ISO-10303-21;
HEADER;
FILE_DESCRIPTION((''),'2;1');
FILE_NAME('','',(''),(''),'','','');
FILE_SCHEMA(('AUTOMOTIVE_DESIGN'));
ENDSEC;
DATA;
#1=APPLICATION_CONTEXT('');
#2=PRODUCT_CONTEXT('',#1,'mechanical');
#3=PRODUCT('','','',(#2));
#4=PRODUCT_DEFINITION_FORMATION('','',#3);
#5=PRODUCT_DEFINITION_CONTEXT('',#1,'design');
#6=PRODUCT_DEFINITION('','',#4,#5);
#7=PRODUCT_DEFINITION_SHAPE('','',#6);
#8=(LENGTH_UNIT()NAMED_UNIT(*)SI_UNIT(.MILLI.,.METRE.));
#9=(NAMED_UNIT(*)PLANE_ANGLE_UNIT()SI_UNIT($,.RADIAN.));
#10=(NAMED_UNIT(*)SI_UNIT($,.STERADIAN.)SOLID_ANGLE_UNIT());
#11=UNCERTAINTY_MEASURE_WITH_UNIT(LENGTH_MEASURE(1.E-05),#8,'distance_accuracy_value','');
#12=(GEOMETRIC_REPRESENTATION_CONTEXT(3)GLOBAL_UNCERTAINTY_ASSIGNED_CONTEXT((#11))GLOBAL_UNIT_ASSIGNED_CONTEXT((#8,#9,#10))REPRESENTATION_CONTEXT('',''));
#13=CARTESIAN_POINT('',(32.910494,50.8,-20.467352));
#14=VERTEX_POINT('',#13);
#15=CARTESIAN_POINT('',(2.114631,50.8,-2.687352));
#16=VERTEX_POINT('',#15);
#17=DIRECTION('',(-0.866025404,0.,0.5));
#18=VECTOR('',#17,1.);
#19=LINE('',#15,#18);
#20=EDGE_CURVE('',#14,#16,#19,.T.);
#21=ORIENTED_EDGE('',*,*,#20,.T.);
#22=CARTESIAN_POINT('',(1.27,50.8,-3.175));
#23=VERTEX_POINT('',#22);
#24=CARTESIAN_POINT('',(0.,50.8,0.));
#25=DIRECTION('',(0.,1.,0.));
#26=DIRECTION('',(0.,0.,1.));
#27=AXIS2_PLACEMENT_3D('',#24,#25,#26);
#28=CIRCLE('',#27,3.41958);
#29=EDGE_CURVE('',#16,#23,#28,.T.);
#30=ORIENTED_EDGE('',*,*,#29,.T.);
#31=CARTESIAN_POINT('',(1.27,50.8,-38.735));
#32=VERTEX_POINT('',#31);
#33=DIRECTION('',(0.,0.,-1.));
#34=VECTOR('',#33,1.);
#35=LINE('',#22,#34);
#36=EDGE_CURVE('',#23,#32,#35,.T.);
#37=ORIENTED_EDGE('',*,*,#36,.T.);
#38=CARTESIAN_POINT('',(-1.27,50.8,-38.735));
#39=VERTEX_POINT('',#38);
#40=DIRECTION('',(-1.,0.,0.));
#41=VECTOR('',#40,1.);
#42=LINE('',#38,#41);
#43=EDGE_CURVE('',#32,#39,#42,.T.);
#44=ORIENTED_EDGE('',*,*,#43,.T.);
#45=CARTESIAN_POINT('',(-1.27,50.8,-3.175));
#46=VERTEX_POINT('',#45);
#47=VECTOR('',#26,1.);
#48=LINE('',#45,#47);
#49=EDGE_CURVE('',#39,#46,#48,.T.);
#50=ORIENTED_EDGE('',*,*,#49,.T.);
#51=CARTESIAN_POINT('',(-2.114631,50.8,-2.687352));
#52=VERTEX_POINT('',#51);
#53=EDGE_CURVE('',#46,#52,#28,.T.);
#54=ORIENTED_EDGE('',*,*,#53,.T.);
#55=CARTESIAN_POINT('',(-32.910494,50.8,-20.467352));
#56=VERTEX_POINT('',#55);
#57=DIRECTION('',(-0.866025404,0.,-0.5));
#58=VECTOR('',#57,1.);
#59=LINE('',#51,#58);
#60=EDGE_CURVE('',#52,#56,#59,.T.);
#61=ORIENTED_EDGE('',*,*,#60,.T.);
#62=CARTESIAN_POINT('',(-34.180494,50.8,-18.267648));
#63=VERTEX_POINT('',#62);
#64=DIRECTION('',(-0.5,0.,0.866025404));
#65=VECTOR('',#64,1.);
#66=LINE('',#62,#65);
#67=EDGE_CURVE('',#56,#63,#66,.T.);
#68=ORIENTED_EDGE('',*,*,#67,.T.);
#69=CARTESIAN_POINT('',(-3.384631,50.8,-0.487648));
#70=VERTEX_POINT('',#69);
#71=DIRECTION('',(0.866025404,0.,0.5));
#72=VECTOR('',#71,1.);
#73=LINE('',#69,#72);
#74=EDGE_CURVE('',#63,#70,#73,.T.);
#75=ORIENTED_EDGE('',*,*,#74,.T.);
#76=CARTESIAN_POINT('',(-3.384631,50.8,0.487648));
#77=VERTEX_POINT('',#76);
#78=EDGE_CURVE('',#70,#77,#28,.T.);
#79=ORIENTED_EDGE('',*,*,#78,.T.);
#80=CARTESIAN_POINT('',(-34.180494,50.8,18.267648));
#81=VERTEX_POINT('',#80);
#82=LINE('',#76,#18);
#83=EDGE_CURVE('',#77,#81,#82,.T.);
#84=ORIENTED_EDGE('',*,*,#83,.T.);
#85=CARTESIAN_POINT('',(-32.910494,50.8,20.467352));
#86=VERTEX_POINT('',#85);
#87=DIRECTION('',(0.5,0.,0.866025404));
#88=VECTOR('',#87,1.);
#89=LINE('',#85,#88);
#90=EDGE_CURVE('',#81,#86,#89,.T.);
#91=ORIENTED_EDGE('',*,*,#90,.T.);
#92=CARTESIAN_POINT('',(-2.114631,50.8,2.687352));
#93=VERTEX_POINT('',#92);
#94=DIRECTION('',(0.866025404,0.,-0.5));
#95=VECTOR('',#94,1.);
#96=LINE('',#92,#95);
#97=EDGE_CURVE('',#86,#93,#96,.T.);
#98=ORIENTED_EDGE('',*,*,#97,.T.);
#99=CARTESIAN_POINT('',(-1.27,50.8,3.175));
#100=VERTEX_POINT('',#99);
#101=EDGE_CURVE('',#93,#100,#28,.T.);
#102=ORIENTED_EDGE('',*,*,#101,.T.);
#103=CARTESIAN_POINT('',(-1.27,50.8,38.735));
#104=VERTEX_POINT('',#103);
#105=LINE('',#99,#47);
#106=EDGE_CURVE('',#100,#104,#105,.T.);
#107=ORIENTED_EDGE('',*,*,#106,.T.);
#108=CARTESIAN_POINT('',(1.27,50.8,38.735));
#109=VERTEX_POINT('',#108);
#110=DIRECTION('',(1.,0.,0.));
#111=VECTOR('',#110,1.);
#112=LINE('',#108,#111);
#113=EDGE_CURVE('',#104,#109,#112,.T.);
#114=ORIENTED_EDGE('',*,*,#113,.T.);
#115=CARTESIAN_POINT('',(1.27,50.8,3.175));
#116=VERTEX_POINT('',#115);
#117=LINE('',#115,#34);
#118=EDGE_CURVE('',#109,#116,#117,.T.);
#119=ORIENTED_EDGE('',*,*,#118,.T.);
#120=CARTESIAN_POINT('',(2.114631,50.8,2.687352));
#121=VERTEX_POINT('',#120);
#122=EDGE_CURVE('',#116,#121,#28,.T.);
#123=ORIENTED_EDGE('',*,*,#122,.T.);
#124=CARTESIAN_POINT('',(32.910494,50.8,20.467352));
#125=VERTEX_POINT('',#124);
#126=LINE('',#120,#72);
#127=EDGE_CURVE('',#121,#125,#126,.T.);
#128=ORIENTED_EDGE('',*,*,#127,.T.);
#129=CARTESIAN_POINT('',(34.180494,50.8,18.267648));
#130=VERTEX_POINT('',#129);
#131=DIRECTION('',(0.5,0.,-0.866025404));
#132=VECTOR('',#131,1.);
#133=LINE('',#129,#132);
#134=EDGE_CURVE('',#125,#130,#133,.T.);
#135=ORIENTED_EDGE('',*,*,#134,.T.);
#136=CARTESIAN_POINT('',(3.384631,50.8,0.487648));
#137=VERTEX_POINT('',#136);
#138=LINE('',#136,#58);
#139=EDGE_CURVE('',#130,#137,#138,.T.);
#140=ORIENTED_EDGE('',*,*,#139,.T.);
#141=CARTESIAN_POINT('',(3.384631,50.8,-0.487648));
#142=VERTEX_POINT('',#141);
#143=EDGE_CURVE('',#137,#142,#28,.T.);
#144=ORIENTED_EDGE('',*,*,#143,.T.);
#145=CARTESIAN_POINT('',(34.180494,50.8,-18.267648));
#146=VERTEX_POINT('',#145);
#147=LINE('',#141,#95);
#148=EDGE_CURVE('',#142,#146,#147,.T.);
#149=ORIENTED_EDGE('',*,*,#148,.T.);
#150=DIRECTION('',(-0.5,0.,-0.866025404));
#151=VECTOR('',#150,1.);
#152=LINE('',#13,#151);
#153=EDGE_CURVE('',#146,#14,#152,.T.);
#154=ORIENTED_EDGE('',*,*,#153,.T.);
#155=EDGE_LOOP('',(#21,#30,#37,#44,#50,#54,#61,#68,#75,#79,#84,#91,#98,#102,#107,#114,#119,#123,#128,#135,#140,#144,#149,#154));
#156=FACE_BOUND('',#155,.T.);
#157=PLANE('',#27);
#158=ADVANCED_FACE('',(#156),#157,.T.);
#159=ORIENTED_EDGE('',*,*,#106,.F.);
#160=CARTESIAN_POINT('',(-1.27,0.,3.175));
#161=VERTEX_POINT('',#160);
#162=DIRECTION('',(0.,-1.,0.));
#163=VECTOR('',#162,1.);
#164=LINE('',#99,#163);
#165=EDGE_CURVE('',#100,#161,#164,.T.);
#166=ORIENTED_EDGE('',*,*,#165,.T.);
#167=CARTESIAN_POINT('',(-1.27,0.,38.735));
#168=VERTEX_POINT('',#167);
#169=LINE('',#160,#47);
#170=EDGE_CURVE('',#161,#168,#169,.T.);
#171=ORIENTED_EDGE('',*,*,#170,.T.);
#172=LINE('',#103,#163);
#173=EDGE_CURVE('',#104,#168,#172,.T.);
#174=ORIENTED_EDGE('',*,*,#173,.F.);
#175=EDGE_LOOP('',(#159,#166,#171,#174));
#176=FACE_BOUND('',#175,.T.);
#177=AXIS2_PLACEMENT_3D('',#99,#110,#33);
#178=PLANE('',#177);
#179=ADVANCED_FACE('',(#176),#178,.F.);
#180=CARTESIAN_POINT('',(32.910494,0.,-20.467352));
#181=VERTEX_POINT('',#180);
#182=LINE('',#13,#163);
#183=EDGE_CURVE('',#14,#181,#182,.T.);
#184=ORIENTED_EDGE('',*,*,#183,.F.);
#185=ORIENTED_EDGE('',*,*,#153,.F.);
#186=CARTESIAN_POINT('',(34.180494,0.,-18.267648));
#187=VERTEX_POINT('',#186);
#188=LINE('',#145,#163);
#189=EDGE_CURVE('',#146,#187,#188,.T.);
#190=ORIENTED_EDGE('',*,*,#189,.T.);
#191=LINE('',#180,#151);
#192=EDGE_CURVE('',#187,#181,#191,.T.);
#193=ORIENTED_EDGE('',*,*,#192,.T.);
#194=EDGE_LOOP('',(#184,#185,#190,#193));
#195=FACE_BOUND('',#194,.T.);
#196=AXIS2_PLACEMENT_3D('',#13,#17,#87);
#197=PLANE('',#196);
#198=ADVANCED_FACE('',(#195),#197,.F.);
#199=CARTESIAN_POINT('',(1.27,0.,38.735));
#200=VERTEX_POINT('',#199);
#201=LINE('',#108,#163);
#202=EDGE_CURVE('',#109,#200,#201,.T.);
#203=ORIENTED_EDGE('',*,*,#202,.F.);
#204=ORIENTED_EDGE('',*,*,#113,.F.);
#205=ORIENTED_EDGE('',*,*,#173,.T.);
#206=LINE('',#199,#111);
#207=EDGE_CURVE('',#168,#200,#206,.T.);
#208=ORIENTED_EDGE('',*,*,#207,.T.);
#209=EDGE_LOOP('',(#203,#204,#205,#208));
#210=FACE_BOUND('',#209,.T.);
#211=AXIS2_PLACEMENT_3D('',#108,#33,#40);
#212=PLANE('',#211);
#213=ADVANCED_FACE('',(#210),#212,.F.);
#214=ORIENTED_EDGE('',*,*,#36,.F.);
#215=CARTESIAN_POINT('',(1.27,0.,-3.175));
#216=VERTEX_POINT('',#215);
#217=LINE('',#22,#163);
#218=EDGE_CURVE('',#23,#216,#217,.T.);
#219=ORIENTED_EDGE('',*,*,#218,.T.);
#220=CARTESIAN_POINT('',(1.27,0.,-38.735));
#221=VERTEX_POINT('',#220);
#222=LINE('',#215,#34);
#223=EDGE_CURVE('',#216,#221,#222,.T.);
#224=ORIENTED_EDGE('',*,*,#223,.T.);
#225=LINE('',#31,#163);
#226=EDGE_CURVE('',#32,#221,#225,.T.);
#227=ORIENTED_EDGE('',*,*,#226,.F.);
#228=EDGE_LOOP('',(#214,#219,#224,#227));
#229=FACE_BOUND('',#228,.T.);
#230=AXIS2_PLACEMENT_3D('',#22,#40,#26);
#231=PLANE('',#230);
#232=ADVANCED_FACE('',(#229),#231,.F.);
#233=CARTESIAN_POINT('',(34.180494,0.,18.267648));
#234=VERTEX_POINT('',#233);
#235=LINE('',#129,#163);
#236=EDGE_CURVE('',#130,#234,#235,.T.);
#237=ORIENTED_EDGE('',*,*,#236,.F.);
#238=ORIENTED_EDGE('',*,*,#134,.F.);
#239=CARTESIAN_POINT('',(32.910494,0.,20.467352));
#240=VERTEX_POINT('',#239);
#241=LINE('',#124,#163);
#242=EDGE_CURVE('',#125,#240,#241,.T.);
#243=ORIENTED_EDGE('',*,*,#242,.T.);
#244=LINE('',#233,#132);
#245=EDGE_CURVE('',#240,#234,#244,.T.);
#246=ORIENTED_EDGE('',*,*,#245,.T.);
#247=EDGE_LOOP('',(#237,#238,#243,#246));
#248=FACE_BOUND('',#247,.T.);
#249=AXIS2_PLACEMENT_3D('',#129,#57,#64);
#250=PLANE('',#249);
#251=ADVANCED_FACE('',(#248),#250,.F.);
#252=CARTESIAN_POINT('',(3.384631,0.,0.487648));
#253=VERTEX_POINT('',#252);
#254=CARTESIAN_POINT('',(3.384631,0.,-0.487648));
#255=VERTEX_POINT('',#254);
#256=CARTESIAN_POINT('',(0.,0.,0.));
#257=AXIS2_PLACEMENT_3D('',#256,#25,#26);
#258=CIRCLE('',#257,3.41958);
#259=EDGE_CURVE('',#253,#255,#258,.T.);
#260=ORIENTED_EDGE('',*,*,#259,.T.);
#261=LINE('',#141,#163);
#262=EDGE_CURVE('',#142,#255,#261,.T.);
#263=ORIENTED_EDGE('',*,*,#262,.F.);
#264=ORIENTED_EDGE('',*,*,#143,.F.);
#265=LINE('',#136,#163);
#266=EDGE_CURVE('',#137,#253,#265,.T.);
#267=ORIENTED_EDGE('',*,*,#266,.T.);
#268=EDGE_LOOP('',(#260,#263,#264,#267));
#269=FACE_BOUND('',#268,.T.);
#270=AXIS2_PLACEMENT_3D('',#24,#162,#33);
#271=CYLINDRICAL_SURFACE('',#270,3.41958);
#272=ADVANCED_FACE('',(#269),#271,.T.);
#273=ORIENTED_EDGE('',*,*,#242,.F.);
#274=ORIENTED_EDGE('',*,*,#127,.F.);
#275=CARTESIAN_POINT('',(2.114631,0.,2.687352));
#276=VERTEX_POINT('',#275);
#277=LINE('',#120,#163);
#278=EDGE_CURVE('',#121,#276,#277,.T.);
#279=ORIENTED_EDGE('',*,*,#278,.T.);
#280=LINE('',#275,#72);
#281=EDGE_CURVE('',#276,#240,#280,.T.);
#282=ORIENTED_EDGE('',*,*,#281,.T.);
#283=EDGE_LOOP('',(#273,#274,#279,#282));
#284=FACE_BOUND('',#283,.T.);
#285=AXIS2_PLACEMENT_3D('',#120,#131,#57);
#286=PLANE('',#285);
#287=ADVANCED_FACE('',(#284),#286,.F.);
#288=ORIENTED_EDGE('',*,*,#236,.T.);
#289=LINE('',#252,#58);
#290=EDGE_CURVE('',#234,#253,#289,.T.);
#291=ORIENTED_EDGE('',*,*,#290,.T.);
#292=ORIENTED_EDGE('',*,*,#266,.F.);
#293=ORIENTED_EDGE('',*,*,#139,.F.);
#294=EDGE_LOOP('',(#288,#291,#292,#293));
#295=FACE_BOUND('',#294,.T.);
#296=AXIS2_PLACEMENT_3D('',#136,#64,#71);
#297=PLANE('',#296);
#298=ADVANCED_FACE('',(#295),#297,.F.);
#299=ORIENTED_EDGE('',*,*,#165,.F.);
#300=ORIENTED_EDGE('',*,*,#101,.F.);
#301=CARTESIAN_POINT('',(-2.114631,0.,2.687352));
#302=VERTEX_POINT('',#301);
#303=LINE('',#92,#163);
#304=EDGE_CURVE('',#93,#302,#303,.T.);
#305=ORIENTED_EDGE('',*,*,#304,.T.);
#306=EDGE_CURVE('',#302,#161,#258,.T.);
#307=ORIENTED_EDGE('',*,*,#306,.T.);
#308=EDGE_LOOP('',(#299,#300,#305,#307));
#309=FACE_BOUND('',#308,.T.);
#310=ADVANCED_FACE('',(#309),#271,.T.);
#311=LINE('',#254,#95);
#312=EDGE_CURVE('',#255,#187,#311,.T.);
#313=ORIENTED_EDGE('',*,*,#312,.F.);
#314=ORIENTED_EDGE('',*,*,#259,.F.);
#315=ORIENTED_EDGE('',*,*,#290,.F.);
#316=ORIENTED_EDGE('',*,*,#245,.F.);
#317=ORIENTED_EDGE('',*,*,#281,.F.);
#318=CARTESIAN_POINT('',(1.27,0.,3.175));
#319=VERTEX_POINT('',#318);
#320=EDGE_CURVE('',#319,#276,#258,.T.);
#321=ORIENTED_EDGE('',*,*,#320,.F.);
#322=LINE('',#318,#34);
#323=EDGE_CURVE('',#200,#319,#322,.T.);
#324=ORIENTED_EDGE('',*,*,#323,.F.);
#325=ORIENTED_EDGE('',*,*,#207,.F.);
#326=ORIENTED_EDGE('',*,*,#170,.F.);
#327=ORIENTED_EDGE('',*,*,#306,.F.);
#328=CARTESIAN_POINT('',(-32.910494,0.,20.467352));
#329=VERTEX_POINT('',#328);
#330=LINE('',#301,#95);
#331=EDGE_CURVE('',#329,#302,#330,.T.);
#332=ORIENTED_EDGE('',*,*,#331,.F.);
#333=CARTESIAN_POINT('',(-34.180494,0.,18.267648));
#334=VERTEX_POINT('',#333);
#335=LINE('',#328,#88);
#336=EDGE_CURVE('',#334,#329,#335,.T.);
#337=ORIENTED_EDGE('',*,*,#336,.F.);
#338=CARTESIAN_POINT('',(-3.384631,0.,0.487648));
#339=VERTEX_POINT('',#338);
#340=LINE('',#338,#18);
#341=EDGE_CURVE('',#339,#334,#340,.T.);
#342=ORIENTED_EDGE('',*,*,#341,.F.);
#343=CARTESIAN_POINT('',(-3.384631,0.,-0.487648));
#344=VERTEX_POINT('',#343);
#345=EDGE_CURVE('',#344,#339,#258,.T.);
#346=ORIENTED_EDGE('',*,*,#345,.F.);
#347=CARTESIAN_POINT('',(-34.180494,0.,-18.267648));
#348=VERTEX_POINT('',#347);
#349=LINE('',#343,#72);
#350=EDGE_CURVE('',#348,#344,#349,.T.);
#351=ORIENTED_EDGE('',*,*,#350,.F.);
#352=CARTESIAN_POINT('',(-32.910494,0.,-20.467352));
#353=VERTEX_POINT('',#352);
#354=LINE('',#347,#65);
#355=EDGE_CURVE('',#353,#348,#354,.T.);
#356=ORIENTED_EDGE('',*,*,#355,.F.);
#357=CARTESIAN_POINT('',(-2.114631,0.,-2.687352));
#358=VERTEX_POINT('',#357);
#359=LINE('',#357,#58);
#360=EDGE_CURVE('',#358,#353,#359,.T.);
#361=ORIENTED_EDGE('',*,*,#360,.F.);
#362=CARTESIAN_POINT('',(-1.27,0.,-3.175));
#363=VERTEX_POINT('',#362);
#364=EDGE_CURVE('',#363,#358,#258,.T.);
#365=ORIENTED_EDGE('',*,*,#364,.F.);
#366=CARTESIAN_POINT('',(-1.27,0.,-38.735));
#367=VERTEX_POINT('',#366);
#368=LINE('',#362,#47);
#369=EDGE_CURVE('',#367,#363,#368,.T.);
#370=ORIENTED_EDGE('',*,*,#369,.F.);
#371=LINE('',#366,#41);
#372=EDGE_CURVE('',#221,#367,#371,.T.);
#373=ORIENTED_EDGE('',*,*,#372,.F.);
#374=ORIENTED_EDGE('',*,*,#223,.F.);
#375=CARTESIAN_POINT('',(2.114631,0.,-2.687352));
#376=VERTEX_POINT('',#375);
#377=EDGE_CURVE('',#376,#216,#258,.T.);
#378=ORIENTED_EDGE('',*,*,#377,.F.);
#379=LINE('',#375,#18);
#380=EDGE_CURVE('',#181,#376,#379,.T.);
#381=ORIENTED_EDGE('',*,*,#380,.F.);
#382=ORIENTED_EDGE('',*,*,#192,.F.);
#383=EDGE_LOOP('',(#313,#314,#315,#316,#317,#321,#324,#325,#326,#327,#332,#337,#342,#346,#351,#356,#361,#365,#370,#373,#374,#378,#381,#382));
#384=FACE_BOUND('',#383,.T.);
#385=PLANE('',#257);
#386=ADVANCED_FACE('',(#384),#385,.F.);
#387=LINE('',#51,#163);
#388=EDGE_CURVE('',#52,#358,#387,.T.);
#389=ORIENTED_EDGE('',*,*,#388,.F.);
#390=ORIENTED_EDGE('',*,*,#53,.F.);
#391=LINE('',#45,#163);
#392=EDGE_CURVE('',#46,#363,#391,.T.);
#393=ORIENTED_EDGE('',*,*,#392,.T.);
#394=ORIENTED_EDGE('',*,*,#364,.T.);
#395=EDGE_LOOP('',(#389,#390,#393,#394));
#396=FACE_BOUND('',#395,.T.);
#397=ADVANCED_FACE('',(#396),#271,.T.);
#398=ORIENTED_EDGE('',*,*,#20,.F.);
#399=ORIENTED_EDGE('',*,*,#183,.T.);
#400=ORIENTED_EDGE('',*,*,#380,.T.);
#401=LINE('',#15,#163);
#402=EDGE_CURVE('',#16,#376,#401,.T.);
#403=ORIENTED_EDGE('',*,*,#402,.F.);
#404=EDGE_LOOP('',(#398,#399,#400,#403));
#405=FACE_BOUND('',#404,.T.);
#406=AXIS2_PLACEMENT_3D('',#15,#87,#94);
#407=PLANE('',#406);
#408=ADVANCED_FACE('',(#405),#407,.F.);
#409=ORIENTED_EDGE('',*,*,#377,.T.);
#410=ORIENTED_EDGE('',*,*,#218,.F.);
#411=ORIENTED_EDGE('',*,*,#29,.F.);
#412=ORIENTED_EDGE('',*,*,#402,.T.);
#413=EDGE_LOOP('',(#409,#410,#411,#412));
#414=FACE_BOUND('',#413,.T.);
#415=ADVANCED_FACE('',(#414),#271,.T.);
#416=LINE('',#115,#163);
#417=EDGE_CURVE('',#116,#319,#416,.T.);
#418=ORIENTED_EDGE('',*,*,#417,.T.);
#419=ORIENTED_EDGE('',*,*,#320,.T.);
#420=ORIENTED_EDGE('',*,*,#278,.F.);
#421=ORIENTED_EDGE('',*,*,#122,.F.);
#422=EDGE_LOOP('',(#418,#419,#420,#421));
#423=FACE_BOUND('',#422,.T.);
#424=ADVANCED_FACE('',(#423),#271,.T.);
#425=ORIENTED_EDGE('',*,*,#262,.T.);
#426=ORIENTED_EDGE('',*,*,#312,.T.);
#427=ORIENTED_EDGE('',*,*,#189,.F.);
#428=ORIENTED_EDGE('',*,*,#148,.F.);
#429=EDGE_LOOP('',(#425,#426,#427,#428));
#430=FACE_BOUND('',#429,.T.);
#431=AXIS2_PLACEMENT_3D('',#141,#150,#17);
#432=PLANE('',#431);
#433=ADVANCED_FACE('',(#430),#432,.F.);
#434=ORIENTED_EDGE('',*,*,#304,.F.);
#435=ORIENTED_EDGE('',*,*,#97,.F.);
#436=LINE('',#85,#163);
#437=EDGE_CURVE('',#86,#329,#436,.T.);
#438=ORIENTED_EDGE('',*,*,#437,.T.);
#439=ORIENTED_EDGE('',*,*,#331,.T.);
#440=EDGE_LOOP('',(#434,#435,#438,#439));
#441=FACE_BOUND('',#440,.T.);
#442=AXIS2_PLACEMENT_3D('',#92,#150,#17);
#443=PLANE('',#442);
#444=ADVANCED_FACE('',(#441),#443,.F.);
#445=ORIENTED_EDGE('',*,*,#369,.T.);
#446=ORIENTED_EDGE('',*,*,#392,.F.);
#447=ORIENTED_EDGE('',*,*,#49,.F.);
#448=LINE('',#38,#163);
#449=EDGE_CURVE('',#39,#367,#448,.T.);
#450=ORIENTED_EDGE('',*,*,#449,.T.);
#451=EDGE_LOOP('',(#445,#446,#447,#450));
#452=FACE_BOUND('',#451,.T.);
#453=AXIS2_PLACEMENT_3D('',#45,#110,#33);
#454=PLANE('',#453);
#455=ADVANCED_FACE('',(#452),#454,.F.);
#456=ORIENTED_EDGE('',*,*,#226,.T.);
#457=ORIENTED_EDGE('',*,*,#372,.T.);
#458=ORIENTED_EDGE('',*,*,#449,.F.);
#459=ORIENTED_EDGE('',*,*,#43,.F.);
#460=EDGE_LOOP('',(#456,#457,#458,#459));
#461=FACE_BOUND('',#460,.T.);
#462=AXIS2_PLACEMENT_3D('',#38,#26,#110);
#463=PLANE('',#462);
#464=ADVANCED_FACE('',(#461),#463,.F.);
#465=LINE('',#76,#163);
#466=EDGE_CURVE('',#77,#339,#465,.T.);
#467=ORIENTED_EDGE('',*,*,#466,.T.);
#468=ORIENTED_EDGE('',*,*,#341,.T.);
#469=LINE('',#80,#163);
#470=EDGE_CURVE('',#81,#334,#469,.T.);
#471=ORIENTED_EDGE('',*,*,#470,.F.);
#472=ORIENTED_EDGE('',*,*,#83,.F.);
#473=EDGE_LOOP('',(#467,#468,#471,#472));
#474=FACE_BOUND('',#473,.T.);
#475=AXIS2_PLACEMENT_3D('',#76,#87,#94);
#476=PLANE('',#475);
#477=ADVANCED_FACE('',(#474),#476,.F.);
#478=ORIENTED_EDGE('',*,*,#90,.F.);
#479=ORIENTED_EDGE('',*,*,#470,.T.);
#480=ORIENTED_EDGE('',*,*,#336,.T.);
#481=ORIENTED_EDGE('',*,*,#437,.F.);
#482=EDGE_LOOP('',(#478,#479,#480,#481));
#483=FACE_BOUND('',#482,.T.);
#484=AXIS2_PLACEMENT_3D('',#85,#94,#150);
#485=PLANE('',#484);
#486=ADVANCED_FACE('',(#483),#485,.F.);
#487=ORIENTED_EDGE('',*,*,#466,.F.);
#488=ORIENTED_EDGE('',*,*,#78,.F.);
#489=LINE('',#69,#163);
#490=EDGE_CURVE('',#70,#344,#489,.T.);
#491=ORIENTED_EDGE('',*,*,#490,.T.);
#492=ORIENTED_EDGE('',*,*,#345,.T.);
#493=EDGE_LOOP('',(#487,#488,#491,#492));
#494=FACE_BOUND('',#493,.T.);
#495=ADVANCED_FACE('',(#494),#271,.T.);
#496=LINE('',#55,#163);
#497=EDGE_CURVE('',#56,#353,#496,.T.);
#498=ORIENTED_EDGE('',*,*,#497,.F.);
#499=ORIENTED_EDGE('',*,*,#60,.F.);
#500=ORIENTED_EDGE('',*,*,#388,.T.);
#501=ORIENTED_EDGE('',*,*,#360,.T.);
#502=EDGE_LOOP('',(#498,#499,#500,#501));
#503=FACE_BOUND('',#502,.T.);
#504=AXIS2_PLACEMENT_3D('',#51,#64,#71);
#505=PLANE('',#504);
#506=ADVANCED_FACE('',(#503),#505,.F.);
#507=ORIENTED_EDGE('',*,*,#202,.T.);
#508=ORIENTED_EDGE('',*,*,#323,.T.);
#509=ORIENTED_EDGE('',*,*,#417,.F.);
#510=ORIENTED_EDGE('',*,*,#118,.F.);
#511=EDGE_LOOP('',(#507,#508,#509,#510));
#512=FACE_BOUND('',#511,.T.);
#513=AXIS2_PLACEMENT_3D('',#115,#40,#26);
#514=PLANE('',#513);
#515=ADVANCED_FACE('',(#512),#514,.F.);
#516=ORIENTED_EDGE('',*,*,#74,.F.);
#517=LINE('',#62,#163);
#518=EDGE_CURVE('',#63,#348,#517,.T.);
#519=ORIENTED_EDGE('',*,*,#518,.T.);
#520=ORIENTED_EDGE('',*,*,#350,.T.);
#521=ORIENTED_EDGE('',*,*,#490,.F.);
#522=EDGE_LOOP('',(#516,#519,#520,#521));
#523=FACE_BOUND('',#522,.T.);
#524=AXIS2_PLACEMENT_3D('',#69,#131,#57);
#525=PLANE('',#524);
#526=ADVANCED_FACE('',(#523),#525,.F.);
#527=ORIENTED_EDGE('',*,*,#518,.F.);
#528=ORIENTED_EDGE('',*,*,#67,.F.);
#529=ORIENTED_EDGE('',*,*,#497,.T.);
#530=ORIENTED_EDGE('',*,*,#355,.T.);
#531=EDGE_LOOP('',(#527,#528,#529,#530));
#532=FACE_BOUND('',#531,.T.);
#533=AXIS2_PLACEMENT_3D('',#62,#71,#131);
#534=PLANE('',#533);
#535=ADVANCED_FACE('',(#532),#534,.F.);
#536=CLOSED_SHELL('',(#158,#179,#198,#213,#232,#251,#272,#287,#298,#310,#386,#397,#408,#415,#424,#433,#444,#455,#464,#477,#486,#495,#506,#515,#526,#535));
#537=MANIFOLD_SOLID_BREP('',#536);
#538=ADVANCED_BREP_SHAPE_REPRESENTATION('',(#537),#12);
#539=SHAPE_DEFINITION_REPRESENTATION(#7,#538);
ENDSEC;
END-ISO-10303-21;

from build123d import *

# Parameters (mm, degrees)
BOSS_EXTRUDE1_DEPTH = 50.8


with BuildPart() as part:
    # Sketch1 → Boss-Extrude1 (new body)
    with BuildSketch(Plane(origin=(0, 0, 0), x_dir=(1, 0, 0), z_dir=(0, 1, 0))):
        with BuildLine():
            Line((-1.27, 3.175), (-1.27, 38.735))
            Line((-1.27, 38.735), (1.27, 38.735))
            Line((1.27, 38.735), (1.27, 3.175))
            ThreePointArc((1.27, 3.175), (1.709789826, 2.961442849), (2.114630657, 2.687352263))
            Line((2.114630657, 2.687352263), (32.910494016, 20.467352263))
            Line((32.910494016, 20.467352263), (34.180494016, 18.267647737))
            Line((34.180494016, 18.267647737), (3.384630657, 0.487647737))
            ThreePointArc((3.384630657, 0.487647737), (3.419579653, 0), (3.384630657, -0.487647737))
            Line((3.384630657, -0.487647737), (34.180494016, -18.267647737))
            Line((34.180494016, -18.267647737), (32.910494016, -20.467352263))
            Line((32.910494016, -20.467352263), (2.114630657, -2.687352263))
            ThreePointArc((2.114630657, -2.687352263), (1.709789826, -2.961442849), (1.27, -3.175))
            Line((1.27, -3.175), (1.27, -38.735))
            Line((1.27, -38.735), (-1.27, -38.735))
            Line((-1.27, -38.735), (-1.27, -3.175))
            ThreePointArc((-1.27, -3.175), (-1.709789826, -2.961442849), (-2.114630657, -2.687352263))
            Line((-2.114630657, -2.687352263), (-32.910494016, -20.467352263))
            Line((-32.910494016, -20.467352263), (-34.180494016, -18.267647737))
            Line((-34.180494016, -18.267647737), (-3.384630657, -0.487647737))
            ThreePointArc((-3.384630657, -0.487647737), (-3.419579653, 0), (-3.384630657, 0.487647737))
            Line((-3.384630657, 0.487647737), (-34.180494016, 18.267647737))
            Line((-34.180494016, 18.267647737), (-32.910494016, 20.467352263))
            Line((-32.910494016, 20.467352263), (-2.114630657, 2.687352263))
            ThreePointArc((-2.114630657, 2.687352263), (-1.709789826, 2.961442849), (-1.27, 3.175))
        make_face()
    extrude(amount=BOSS_EXTRUDE1_DEPTH)


solid = part.part
